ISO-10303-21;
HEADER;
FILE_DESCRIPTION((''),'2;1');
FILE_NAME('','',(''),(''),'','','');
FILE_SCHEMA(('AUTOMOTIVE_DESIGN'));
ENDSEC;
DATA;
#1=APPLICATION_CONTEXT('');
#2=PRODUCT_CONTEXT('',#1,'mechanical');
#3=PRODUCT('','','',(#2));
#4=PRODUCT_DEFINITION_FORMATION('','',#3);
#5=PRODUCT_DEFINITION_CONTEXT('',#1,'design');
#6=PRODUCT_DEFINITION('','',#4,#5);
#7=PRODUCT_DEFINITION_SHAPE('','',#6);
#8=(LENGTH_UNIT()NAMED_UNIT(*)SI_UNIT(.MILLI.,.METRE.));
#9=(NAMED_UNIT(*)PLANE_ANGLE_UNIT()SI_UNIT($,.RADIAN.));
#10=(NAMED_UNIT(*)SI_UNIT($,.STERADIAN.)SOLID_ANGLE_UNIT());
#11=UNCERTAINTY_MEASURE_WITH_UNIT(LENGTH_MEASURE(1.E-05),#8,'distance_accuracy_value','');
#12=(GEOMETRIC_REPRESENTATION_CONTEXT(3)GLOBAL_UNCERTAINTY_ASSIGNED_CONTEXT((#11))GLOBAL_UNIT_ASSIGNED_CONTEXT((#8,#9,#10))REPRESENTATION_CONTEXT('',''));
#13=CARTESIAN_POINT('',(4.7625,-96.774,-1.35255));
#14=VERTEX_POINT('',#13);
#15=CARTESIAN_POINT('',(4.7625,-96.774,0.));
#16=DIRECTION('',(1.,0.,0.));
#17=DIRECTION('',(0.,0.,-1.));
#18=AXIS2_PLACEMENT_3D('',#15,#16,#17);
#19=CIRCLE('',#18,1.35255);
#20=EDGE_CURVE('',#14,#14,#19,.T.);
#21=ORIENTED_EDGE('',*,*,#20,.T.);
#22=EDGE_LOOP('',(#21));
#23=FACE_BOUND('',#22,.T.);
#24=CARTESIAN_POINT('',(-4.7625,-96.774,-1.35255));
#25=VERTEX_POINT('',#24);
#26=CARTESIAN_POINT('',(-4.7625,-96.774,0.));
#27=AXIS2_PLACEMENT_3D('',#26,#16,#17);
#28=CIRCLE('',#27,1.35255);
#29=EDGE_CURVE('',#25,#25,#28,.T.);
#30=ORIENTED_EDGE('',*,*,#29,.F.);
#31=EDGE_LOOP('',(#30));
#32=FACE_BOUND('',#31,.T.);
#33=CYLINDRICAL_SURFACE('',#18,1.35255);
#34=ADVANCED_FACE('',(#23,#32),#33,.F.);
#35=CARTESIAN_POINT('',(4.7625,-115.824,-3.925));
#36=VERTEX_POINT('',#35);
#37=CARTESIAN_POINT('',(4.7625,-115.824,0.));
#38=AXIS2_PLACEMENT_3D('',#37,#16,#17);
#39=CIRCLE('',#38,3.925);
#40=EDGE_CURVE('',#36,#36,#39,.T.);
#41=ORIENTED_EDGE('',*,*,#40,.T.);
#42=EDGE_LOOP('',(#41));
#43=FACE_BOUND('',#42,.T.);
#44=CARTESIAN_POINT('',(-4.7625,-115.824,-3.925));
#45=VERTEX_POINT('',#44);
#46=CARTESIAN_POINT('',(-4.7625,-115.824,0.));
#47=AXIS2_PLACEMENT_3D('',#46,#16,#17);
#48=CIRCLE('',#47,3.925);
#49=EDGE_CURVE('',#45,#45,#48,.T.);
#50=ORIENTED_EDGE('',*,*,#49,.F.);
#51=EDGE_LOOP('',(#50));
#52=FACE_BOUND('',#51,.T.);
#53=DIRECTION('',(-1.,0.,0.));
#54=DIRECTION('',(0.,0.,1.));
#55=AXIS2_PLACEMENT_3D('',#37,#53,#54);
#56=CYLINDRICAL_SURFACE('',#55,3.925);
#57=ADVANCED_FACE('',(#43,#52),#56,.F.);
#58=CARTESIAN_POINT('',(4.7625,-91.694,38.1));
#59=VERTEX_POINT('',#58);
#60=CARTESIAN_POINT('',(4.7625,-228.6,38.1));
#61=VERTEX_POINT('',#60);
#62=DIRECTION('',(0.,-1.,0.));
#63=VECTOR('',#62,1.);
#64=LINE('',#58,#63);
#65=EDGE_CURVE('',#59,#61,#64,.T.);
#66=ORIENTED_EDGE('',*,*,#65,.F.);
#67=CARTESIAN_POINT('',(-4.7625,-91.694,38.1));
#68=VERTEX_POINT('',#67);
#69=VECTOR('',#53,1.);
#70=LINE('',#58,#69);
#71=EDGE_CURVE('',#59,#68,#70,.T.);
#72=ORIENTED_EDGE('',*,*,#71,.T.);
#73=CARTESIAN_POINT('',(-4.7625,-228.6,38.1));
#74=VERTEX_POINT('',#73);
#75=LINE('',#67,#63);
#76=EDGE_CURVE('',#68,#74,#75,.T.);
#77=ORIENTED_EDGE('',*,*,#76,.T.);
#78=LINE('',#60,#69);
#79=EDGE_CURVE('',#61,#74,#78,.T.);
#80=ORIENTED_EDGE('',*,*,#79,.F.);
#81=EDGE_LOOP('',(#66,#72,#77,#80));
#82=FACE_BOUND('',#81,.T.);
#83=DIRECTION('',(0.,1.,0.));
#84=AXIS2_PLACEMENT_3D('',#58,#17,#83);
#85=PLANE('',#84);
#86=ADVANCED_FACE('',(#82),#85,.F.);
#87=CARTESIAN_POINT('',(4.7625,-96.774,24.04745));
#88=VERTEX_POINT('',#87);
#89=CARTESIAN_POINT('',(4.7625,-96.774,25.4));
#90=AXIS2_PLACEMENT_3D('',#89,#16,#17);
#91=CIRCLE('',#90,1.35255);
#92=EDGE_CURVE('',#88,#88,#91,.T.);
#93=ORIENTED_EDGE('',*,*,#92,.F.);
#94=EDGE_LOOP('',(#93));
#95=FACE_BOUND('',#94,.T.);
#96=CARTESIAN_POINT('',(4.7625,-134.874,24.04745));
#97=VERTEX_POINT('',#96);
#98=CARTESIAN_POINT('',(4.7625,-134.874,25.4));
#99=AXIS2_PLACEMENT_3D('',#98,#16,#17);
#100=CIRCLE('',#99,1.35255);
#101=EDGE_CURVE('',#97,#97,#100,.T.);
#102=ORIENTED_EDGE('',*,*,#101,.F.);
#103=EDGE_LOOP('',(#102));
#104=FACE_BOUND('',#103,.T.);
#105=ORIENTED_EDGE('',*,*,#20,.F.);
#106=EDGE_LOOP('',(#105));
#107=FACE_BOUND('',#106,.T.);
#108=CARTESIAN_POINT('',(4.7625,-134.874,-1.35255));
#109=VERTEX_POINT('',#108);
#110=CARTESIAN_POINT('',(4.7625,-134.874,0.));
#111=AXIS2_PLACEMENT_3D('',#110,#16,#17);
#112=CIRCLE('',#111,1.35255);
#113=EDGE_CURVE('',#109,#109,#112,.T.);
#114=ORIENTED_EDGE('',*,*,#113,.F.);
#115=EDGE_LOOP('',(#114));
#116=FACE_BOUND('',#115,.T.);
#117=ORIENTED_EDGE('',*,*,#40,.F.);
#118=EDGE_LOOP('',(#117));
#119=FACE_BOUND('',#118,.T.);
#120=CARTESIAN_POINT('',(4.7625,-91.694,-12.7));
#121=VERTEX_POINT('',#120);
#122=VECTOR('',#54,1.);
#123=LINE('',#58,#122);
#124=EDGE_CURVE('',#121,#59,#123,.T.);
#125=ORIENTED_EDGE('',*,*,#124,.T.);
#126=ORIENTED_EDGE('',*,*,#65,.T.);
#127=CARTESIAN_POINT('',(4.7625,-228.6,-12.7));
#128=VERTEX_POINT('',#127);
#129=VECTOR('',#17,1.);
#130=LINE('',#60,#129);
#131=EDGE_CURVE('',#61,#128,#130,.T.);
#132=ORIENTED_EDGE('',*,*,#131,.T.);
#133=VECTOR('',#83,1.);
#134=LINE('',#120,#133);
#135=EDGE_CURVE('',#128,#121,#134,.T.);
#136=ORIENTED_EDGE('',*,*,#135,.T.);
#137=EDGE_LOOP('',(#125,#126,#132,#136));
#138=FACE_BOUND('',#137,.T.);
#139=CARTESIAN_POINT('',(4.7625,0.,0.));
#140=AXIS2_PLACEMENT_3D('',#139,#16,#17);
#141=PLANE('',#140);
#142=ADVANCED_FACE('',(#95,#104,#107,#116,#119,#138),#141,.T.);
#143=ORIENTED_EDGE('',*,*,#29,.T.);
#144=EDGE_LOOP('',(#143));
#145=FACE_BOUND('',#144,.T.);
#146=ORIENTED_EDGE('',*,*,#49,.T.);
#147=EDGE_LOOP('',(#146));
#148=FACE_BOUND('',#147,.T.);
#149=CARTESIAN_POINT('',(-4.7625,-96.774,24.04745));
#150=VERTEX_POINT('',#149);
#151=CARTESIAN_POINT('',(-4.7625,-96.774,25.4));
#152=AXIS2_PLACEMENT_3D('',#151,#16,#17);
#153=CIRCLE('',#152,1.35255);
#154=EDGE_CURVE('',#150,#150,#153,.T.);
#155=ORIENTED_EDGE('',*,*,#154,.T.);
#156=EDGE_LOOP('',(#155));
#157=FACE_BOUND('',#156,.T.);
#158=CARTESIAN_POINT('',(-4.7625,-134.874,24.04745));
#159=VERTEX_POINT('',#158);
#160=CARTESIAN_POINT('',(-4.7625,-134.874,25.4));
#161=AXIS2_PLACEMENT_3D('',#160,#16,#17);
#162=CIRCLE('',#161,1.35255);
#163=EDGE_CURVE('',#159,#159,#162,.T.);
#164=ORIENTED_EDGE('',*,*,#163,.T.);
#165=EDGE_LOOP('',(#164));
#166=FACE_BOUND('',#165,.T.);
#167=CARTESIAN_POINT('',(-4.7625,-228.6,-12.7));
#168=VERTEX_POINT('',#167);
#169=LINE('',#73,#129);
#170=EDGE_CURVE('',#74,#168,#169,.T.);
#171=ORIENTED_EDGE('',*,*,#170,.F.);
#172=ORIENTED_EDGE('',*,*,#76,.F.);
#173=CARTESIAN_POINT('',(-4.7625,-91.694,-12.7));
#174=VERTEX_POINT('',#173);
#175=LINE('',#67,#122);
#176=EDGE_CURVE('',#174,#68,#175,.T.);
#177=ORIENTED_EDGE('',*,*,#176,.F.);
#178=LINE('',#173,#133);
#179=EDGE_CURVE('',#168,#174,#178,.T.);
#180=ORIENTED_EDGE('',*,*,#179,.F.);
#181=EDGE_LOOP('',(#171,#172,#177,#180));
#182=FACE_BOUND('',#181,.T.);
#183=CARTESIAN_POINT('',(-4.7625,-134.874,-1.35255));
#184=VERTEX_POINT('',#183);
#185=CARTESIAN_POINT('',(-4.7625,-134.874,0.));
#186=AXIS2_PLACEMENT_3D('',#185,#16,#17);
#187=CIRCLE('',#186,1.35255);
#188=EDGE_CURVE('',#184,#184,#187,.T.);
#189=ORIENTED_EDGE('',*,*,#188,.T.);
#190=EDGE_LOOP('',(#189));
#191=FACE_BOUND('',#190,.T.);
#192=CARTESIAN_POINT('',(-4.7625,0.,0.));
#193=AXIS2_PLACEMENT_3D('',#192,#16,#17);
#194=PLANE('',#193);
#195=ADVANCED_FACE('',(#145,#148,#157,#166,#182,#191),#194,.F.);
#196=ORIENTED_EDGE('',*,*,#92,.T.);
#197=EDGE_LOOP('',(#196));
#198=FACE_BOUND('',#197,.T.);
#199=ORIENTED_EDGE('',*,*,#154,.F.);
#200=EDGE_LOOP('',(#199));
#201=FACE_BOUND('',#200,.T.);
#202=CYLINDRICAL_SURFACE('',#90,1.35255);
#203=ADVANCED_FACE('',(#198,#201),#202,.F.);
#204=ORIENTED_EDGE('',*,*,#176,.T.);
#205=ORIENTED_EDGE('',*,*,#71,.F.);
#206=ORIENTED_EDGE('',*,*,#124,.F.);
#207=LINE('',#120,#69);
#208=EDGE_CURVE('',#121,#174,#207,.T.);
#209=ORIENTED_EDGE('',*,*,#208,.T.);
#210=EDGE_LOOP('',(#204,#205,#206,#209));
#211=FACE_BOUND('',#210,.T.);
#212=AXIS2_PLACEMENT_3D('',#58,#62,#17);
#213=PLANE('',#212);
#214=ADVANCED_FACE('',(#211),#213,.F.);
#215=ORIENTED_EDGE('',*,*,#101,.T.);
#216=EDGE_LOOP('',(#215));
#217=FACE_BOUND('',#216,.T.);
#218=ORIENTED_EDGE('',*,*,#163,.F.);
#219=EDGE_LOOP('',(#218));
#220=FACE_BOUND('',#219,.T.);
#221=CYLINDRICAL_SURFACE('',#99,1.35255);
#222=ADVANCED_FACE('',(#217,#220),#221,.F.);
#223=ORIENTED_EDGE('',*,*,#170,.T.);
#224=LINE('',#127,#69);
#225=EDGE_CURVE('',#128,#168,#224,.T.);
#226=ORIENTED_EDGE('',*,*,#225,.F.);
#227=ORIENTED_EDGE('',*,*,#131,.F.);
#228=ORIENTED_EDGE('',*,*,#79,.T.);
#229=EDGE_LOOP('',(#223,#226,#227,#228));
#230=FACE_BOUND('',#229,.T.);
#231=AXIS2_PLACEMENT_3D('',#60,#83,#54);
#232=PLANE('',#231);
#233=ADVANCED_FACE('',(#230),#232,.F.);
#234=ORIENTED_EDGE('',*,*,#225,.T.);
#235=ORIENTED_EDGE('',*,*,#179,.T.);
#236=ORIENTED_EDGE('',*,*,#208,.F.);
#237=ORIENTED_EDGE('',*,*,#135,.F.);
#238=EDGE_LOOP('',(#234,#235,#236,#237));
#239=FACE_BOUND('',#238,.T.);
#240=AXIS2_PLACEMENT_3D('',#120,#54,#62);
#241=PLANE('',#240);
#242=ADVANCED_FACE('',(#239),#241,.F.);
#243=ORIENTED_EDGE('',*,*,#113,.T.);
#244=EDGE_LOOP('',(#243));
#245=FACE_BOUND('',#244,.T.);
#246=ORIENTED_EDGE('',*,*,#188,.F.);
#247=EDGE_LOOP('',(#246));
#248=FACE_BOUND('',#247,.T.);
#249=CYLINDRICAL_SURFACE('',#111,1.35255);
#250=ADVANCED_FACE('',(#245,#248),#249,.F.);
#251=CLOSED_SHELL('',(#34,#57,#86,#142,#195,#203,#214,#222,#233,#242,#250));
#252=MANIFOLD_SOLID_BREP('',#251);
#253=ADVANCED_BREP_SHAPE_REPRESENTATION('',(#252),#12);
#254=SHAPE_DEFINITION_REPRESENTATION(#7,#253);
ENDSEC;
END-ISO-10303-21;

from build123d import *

# Parameters (mm, degrees)
SKETCH1_W             = 50.8
SKETCH1_H             = 136.906
SKETCH1_R             = 3.925
BOSS_EXTRUDE1_DEPTH   = 4.7625
F_6_32_TAPPED_HOLE1_D = 2.7051


with BuildPart() as part:
    # Sketch1 → Boss-Extrude1 (new, symmetric)
    with BuildSketch(Plane(origin=(0, 0, 0), x_dir=(0, 0, -1), z_dir=(1, 0, 0))):
        with Locations((-12.7, -160.147)):
            Rectangle(SKETCH1_W, SKETCH1_H)
        with Locations((0, -115.824)):
            Circle(SKETCH1_R, mode=Mode.SUBTRACT)
    extrude(amount=BOSS_EXTRUDE1_DEPTH, both=True)

    # #6-32 Tapped Hole1 (through all)
    with Locations(Plane(origin=(4.7625, 0, 0), x_dir=(0, 0, -1), z_dir=(1, 0, 0))):
        with Locations((-25.4, -96.774), (0, -96.774), (0, -134.874), (-25.4, -134.874)):
            Hole(F_6_32_TAPPED_HOLE1_D / 2)


solid = part.part
